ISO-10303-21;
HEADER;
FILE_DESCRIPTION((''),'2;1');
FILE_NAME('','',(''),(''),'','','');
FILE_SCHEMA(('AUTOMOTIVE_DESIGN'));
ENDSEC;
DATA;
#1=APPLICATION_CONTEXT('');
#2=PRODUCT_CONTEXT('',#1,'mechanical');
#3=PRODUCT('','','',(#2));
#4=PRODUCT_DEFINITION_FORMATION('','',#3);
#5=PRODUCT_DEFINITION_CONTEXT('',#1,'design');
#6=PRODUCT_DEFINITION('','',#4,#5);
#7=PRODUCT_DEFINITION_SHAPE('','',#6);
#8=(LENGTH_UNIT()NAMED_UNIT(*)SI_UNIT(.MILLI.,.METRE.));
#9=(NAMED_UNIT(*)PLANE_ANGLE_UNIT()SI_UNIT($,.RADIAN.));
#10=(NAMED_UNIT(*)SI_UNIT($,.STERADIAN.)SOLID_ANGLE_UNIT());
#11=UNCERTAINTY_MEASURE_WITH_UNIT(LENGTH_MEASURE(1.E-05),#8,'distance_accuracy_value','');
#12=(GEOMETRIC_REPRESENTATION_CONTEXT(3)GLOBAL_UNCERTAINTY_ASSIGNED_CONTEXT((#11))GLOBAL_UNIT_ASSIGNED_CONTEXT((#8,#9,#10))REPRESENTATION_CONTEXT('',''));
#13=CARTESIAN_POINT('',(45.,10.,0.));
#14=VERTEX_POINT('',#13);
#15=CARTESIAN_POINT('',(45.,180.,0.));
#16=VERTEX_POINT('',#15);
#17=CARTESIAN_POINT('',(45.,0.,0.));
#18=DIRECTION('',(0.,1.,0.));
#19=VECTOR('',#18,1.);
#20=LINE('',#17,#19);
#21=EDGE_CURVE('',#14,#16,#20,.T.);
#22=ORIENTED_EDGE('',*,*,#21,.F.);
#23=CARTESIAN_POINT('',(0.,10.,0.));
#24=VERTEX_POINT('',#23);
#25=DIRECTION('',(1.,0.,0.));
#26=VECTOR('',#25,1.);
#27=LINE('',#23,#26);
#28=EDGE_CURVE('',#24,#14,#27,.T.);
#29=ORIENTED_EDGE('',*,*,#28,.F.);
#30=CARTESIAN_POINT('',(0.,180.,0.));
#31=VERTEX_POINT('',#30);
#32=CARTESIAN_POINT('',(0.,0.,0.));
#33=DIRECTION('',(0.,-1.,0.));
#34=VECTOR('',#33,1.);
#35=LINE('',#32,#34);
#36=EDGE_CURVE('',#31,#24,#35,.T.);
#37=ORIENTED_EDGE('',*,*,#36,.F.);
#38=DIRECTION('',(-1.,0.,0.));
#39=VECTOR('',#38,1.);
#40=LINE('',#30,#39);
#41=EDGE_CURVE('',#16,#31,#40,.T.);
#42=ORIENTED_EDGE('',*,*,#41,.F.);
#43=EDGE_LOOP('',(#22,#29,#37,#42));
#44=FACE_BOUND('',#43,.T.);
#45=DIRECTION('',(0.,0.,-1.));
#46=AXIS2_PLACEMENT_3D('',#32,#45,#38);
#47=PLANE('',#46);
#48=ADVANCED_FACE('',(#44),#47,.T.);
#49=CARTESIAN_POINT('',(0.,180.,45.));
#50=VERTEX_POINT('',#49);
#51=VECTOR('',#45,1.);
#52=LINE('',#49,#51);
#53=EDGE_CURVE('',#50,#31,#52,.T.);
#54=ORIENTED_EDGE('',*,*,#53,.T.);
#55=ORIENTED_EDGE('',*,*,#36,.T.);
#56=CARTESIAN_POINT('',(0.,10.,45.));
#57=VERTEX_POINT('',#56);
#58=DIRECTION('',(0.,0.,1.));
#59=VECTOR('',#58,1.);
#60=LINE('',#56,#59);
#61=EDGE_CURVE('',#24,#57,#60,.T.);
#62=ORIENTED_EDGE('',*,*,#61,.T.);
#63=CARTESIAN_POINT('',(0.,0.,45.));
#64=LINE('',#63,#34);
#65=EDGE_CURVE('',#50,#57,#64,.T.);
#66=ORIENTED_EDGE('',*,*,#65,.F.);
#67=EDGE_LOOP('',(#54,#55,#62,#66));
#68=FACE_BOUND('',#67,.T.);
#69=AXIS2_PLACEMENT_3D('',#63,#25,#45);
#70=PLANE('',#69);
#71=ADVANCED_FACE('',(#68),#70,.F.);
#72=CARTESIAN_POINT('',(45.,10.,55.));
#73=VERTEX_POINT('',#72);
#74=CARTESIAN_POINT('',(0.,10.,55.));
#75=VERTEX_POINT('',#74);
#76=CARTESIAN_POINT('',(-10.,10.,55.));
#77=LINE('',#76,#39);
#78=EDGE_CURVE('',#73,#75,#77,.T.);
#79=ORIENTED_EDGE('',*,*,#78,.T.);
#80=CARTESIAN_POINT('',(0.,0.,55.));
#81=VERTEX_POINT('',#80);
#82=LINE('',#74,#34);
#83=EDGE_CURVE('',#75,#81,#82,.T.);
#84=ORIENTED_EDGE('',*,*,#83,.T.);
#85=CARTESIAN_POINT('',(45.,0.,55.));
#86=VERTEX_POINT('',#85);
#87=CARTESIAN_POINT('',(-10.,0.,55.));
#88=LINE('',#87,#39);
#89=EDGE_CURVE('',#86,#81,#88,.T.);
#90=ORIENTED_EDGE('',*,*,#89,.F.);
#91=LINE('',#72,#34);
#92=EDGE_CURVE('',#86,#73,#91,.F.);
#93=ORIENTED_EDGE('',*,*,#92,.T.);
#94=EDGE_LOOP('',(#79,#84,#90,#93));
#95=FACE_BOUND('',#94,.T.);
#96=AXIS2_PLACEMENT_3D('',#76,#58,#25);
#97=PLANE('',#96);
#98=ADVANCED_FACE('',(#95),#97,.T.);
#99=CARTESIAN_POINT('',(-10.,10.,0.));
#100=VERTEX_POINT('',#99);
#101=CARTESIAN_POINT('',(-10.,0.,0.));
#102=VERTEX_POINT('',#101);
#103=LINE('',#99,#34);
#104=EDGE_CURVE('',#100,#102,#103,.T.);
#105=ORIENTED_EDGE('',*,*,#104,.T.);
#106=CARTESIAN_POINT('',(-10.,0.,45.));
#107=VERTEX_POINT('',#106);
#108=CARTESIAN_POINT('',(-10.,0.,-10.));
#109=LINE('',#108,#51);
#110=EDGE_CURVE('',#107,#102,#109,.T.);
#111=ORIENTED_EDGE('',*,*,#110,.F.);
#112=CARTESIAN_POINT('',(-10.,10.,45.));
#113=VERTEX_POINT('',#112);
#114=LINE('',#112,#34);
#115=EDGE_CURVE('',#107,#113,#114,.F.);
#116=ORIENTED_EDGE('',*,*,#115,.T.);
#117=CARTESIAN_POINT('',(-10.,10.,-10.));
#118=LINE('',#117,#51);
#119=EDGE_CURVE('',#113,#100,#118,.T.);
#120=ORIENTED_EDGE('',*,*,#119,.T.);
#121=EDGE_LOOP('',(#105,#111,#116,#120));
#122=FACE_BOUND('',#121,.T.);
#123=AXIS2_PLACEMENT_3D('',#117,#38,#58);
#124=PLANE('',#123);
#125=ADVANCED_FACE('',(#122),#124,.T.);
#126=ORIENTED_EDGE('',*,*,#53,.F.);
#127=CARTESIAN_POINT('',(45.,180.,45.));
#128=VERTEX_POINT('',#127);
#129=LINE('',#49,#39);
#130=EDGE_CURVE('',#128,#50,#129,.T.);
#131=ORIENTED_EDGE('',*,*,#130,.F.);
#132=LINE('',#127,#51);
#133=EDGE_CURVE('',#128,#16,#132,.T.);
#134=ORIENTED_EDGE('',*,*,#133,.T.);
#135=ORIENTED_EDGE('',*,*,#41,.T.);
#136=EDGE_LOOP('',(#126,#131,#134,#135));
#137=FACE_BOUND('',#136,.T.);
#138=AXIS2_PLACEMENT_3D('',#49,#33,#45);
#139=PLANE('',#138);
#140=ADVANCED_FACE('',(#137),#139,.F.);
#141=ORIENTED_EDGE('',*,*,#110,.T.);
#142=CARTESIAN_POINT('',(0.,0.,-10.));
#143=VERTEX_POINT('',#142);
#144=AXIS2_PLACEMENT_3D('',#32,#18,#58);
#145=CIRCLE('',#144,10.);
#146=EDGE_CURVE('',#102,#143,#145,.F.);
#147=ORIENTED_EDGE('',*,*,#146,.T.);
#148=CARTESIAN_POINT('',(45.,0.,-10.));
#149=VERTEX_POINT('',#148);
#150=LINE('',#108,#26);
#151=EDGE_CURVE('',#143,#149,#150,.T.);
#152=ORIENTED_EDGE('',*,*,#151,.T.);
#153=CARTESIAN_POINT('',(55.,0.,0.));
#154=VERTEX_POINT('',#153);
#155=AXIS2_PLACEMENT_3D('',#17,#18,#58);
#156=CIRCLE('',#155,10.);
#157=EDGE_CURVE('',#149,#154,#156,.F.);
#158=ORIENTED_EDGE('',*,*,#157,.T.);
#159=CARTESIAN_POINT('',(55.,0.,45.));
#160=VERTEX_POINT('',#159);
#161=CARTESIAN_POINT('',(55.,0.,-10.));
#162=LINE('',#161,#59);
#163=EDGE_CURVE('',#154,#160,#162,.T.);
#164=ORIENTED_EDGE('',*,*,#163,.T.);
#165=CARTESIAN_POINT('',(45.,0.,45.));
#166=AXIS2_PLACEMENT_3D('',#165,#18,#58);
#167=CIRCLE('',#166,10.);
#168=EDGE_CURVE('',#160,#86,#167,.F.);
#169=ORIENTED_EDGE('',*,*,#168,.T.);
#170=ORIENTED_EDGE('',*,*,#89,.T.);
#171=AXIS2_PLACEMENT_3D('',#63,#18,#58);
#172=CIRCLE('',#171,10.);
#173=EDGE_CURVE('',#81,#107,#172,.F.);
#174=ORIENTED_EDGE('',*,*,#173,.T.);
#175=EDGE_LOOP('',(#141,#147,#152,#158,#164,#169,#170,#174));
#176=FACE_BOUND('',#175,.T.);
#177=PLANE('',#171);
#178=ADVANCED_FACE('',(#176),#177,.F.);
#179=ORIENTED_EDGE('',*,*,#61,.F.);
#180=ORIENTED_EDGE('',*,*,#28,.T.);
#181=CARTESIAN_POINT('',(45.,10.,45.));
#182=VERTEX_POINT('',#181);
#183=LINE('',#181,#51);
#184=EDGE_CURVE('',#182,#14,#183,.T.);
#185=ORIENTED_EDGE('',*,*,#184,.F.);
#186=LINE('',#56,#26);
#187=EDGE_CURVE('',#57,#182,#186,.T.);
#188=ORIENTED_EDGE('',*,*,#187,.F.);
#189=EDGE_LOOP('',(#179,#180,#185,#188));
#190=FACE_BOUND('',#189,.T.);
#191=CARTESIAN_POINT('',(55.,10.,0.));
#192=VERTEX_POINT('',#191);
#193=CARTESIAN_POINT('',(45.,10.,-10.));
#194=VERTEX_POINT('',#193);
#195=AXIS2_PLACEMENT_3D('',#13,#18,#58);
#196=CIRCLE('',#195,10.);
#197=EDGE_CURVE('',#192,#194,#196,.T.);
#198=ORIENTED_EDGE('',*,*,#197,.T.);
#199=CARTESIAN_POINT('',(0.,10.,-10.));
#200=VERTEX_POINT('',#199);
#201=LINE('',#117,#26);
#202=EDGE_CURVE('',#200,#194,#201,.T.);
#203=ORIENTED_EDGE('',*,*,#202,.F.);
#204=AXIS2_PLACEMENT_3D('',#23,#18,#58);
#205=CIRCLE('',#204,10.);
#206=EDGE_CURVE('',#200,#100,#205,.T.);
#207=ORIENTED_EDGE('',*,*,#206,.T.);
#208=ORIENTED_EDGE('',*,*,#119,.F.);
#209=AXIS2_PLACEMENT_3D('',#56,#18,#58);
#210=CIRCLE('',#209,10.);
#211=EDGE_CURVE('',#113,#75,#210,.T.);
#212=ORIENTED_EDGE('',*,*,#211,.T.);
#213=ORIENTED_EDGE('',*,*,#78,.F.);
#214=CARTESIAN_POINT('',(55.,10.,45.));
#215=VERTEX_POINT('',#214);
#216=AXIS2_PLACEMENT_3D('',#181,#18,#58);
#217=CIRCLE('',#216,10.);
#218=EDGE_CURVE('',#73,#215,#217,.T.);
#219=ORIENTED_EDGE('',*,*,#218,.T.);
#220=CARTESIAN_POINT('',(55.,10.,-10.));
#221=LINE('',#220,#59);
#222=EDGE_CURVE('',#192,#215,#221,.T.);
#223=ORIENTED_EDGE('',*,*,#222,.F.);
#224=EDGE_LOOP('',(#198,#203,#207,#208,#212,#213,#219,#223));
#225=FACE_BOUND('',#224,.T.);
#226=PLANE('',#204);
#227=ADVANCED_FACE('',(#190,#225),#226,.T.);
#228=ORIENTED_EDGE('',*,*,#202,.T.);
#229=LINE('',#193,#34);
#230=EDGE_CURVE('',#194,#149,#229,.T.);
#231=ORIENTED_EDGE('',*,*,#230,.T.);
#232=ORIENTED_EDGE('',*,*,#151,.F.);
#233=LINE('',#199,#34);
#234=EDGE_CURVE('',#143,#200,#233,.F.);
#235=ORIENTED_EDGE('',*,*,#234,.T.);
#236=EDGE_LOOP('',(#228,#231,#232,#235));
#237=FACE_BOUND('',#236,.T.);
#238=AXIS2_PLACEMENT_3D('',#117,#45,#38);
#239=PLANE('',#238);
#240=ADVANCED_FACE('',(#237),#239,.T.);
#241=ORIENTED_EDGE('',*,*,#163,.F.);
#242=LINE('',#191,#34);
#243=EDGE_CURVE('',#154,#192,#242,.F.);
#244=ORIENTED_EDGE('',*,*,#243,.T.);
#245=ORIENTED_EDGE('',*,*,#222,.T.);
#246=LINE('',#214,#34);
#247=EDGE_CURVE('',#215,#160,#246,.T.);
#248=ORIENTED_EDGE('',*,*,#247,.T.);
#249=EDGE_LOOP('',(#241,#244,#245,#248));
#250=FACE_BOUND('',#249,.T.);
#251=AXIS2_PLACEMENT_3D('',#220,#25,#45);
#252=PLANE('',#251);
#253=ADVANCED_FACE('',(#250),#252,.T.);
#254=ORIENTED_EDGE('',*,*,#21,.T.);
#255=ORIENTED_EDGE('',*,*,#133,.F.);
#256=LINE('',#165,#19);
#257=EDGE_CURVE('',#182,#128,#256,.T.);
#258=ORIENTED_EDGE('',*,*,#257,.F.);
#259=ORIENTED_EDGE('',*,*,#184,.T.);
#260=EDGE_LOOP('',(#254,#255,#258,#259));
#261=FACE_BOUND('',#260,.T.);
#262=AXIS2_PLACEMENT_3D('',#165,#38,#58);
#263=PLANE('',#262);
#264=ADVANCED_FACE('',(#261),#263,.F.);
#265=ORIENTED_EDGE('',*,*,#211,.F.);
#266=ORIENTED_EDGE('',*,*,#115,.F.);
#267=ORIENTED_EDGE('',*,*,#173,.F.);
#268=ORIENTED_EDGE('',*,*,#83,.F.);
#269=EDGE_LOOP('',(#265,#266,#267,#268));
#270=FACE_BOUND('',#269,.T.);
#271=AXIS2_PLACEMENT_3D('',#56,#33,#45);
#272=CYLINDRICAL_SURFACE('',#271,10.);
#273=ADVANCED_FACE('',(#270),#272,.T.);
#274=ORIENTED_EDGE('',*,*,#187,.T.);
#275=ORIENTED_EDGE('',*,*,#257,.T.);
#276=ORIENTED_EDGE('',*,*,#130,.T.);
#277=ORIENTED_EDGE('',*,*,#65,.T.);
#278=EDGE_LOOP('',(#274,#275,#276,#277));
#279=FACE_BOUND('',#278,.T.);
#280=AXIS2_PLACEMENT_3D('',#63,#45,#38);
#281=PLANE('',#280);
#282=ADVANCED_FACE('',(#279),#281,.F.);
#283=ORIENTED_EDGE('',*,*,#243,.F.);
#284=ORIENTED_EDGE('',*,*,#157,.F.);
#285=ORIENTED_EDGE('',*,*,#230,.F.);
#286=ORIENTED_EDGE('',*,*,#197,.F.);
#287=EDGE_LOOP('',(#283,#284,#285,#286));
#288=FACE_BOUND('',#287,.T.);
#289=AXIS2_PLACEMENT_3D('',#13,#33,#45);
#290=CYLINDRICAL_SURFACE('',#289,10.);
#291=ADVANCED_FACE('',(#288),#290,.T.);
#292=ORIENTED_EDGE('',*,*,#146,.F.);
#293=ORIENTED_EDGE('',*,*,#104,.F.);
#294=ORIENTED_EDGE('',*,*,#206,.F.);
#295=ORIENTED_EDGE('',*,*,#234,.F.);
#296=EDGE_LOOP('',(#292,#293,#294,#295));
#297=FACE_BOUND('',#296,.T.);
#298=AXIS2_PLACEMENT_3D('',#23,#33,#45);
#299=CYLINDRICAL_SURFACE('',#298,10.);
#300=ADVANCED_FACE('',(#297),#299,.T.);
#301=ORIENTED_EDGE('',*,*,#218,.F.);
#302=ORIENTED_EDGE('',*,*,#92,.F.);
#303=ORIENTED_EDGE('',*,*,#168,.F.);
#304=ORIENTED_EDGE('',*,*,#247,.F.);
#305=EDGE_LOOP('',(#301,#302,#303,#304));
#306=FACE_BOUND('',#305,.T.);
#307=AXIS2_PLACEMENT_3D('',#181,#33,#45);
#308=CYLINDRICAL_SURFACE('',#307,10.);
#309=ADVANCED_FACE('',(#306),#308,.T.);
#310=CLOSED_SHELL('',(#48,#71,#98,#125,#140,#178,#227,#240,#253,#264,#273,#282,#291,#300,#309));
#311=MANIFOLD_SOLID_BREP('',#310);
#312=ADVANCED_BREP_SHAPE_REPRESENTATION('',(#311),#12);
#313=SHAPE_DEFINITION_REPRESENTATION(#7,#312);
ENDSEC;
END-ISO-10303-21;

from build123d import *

# Parameters (mm, degrees)
SKETCH1_W           = 45
SKETCH1_H           = 180
BOSS_EXTRUDE1_DEPTH = 45
SKETCH2_W           = 65
SKETCH2_H           = 65
BOSS_EXTRUDE2_DEPTH = 10
FILLET1_R           = 10


with BuildPart() as part:
    # Sketch1 → Boss-Extrude1 (new body)
    with BuildSketch(Plane.XY):
        with Locations((22.5, 90)):
            Rectangle(SKETCH1_W, SKETCH1_H)
    extrude(amount=BOSS_EXTRUDE1_DEPTH)

    # Sketch2 → Boss-Extrude2 (add)
    with BuildSketch(Plane.XZ):
        with Locations((22.5, 22.5)):
            Rectangle(SKETCH2_W, SKETCH2_H)
    extrude(amount=-BOSS_EXTRUDE2_DEPTH)

    # Fillet1
    fillet1_edges = [part.edges().sort_by_distance(p)[0] for p in [
        (-10, 5, -10),
        (-10, 5, 55),
        (55, 5, 55),
        (55, 5, -10),
    ]]
    fillet(fillet1_edges, radius=FILLET1_R)


solid = part.part
